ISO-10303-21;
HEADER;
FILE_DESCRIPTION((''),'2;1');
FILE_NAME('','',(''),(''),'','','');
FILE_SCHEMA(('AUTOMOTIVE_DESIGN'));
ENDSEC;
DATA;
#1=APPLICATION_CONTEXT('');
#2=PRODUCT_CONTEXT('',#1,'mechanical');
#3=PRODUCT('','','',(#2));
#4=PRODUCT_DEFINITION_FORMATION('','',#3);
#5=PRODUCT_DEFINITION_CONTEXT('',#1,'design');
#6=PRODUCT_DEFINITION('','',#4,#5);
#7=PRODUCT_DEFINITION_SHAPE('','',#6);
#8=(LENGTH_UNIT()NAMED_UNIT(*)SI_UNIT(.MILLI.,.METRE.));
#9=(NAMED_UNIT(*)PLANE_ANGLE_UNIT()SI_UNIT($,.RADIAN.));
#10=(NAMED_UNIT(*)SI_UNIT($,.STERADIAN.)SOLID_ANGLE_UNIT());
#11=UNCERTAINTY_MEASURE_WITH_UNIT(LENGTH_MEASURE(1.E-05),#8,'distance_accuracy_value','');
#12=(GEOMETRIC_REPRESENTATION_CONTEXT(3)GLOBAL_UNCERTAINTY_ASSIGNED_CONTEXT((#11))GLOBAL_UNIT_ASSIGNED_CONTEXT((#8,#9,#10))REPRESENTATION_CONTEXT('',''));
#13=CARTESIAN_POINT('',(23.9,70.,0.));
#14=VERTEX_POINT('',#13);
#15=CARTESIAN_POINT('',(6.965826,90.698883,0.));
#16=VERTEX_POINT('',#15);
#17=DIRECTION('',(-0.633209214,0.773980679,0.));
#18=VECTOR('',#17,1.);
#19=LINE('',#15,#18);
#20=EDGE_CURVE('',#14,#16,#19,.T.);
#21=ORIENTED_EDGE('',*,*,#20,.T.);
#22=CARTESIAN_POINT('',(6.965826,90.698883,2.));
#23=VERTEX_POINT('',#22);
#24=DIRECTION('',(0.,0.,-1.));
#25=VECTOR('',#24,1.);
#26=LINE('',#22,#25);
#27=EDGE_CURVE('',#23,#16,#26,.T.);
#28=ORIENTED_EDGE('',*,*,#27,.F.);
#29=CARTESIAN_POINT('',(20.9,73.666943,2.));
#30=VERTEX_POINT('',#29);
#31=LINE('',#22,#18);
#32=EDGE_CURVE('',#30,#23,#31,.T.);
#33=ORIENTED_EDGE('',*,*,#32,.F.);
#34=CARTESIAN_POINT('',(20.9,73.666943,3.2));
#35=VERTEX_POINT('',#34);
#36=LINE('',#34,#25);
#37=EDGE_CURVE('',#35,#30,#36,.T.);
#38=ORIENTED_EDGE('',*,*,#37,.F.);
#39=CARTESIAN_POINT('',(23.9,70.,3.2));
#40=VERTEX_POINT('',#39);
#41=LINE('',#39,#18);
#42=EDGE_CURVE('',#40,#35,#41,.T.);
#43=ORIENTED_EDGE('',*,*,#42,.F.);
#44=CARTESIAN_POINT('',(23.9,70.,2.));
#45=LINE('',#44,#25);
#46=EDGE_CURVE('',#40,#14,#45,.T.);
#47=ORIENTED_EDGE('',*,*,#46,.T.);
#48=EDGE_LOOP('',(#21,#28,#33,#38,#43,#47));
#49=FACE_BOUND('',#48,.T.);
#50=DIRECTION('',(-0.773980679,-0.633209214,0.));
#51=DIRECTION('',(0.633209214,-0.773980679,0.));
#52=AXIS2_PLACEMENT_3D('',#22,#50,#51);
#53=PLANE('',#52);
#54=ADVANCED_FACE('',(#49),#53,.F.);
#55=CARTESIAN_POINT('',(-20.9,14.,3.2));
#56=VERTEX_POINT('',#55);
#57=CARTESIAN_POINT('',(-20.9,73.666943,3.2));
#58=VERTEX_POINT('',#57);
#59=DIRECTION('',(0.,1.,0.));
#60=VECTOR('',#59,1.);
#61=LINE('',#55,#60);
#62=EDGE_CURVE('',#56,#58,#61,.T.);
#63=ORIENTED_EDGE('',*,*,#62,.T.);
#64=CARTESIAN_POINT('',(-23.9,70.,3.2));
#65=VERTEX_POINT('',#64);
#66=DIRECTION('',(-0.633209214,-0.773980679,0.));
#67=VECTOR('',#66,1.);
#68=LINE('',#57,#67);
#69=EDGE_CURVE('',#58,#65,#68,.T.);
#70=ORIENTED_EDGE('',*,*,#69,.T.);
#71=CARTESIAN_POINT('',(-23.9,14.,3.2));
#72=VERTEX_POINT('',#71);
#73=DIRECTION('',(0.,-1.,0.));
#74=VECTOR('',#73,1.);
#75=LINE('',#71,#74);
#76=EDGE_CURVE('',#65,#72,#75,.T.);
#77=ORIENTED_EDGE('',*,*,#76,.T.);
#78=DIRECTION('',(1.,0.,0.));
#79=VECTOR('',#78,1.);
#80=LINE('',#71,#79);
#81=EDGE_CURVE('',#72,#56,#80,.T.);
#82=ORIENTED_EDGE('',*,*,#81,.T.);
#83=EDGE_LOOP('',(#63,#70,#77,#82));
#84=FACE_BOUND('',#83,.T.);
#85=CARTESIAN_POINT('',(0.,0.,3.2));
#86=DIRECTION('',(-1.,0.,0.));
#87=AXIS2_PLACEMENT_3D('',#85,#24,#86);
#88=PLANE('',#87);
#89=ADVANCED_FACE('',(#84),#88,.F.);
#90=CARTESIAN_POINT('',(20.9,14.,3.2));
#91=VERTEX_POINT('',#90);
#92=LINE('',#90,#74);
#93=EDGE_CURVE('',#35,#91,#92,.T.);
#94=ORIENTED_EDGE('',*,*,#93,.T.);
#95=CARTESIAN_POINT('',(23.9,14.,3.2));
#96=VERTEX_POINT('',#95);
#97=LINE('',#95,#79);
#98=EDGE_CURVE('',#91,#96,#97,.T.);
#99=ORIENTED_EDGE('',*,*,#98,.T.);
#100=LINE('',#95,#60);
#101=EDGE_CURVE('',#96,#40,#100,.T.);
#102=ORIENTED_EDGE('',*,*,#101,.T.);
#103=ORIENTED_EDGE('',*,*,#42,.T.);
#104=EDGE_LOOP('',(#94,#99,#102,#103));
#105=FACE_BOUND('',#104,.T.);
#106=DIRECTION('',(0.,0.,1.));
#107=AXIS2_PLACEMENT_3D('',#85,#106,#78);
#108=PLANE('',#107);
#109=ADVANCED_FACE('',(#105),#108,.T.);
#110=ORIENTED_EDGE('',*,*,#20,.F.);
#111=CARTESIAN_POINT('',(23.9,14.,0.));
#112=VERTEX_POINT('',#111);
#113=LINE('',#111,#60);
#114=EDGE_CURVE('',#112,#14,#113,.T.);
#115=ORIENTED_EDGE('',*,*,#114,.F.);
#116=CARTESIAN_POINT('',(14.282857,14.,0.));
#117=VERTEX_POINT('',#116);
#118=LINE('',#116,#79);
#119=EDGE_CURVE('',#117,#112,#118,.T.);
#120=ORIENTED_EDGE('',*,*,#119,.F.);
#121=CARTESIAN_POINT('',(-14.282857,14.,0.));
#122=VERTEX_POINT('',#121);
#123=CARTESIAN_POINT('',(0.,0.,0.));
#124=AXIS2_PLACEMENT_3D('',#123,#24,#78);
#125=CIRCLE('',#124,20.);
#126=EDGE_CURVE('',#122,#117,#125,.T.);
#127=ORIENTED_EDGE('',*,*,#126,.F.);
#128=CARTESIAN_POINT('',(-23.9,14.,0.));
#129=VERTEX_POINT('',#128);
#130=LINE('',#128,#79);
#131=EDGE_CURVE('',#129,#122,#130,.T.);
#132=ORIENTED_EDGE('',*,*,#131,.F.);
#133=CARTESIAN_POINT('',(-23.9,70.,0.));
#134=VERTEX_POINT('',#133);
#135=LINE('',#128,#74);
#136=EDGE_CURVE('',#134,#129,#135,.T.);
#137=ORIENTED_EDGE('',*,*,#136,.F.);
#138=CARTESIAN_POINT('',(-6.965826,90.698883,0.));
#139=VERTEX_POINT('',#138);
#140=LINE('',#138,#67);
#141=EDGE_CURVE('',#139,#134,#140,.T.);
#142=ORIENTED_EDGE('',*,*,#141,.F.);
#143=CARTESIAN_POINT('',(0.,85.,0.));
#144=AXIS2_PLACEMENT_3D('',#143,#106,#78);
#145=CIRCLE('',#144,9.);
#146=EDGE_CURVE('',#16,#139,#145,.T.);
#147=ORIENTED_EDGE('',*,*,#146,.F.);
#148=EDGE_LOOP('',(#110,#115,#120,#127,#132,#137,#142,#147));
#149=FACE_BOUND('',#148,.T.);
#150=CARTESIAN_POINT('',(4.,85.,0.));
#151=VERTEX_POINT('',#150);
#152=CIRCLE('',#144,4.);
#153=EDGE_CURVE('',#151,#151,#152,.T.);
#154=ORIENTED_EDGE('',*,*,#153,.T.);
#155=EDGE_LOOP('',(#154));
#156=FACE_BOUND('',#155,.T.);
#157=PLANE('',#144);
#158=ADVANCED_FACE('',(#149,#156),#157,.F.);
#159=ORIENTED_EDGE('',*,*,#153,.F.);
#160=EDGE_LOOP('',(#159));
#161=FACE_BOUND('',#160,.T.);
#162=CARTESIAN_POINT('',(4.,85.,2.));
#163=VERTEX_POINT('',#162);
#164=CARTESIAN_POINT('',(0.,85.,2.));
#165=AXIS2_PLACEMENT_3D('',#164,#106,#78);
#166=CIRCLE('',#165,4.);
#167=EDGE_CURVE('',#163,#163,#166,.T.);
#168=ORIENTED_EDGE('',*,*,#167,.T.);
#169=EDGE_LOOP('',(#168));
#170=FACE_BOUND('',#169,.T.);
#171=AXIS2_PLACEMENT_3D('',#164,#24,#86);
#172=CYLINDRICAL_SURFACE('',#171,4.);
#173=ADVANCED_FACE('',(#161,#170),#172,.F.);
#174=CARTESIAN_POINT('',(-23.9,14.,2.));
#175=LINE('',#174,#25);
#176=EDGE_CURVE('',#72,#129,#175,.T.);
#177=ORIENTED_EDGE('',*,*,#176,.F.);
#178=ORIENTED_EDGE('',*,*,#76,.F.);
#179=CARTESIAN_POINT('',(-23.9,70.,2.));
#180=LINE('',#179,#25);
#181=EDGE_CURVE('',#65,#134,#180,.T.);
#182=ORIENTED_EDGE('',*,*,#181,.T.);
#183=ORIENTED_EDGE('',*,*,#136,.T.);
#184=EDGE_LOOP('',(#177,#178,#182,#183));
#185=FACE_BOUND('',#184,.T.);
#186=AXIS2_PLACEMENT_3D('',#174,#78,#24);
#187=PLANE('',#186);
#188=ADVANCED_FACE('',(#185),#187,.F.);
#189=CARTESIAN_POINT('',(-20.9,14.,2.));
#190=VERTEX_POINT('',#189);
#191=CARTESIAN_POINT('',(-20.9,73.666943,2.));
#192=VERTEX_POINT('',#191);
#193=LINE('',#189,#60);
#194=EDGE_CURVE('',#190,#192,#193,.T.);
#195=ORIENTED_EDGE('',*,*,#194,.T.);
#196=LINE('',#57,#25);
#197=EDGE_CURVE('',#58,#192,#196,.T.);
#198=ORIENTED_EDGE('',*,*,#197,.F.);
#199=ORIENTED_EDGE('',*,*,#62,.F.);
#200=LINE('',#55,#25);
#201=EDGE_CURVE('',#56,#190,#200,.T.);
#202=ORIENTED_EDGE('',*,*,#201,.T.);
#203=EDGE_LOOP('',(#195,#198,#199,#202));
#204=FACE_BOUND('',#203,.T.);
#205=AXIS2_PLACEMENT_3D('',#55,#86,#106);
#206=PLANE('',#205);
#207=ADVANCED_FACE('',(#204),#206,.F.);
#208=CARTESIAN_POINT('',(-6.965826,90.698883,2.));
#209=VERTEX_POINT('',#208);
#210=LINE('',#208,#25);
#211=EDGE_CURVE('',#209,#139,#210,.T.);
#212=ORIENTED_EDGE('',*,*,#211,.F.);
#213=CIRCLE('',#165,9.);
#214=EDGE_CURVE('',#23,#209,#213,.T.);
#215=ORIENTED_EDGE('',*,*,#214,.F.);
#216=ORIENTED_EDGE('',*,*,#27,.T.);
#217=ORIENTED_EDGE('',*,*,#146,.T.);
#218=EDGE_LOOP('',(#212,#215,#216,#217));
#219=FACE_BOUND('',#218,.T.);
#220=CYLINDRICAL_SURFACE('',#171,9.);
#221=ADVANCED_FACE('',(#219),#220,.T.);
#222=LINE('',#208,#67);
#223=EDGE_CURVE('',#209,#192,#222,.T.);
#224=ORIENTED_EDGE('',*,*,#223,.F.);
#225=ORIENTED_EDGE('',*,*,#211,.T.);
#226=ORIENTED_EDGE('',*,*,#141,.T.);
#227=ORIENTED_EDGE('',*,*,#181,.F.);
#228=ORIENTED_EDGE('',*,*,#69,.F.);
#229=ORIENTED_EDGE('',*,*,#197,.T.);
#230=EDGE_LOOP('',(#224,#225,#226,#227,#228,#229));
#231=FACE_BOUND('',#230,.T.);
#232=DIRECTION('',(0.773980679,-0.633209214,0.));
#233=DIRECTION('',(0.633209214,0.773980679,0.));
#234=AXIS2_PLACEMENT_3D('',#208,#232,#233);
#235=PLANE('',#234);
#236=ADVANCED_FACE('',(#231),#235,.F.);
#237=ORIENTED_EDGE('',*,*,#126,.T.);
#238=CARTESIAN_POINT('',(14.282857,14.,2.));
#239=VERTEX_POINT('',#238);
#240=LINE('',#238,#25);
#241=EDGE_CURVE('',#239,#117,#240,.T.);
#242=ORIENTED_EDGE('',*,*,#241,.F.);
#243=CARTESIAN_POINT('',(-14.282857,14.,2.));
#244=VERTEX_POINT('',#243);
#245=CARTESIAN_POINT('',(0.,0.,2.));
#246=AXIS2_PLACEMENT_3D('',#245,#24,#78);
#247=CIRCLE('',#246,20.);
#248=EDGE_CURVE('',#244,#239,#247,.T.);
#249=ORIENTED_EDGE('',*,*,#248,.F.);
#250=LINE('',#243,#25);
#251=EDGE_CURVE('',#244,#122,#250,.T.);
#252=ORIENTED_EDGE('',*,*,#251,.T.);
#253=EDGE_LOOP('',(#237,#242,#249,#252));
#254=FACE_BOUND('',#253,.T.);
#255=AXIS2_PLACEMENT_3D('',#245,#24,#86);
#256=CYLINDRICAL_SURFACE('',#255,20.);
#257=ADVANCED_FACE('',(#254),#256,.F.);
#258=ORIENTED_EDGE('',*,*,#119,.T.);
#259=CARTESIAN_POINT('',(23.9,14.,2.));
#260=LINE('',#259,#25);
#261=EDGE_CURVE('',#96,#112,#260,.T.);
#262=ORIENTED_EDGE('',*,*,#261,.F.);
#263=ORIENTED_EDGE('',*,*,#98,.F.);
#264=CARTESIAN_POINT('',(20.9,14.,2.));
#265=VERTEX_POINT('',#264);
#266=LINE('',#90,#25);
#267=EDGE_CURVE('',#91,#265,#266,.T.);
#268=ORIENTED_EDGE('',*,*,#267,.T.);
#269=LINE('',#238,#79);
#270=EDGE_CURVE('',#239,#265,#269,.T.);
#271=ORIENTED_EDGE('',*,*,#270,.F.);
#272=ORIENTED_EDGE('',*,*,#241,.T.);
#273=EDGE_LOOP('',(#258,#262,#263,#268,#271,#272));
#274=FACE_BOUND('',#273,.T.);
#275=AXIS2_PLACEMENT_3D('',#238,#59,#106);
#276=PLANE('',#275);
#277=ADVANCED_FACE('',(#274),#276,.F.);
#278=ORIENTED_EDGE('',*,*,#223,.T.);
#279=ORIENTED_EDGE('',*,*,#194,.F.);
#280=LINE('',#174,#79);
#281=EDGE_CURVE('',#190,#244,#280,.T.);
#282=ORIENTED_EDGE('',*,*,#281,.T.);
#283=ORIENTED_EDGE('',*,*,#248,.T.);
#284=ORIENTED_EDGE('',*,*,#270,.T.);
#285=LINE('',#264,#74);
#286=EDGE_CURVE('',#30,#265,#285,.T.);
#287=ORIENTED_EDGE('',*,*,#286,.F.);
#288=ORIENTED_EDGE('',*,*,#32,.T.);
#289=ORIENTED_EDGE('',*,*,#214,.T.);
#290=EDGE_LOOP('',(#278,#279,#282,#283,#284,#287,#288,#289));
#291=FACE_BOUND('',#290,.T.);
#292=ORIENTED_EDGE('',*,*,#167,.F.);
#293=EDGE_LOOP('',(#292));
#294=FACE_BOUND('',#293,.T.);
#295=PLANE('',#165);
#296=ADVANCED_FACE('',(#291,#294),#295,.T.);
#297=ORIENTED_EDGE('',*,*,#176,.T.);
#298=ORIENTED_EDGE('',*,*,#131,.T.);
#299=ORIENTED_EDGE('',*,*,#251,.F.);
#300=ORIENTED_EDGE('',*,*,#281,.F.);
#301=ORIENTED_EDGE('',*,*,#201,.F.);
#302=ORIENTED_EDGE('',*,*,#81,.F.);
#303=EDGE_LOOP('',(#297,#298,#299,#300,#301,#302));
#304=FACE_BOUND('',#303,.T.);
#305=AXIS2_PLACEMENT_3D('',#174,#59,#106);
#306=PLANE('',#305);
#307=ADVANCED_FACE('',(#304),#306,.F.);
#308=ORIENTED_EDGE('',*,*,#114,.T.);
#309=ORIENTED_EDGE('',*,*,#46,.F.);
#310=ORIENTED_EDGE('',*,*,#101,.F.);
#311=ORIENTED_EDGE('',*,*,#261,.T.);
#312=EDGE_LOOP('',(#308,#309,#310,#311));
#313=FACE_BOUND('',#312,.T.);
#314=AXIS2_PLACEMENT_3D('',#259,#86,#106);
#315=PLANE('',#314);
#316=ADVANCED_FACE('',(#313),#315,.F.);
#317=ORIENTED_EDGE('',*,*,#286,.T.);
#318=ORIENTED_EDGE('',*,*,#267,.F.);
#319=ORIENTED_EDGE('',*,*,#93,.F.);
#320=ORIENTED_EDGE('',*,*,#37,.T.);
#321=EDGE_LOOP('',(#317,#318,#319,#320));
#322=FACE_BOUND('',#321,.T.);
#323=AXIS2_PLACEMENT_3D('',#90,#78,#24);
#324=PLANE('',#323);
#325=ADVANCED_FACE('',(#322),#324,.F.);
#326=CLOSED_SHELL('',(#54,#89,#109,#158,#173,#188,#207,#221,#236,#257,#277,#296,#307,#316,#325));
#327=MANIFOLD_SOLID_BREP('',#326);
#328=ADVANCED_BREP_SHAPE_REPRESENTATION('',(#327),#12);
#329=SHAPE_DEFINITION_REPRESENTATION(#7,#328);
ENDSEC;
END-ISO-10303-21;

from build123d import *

# Parameters (mm, degrees)
ESQUISSE1_R        = 4
BOSS_EXTRU_1_DEPTH = 2
BOSS_EXTRU_2_DEPTH = 1.2


with BuildPart() as part:
    # Esquisse1 → Boss.-Extru.1 (new body)
    with BuildSketch(Plane.XY):
        with BuildLine():
            Line((-23.9, 14), (-14.282856857, 14))
            ThreePointArc((-14.282856857, 14), (0, 20), (14.282856857, 14))
            Line((14.282856857, 14), (23.9, 14))
            Line((23.9, 14), (23.9, 70))
            Line((23.9, 70), (6.965826107, 90.69888293))
            ThreePointArc((6.965826107, 90.69888293), (0, 94), (-6.965826107, 90.69888293))
            Line((-6.965826107, 90.69888293), (-23.9, 70))
            Line((-23.9, 70), (-23.9, 14))
        make_face()
        with Locations((0, 85)):
            Circle(ESQUISSE1_R, mode=Mode.SUBTRACT)
    extrude(amount=BOSS_EXTRU_1_DEPTH)

    # Esquisse2 → Boss.-Extru.2 (add)
    with BuildSketch(Plane.XY.offset(2)):
        Polygon((-23.9, 14), (-20.9, 14), (-20.9, 73.666942904), (-23.9, 70), align=None)
        Polygon((23.9, 14), (20.9, 14), (20.9, 73.666942904), (23.9, 70), align=None)
    extrude(amount=BOSS_EXTRU_2_DEPTH)


solid = part.part
